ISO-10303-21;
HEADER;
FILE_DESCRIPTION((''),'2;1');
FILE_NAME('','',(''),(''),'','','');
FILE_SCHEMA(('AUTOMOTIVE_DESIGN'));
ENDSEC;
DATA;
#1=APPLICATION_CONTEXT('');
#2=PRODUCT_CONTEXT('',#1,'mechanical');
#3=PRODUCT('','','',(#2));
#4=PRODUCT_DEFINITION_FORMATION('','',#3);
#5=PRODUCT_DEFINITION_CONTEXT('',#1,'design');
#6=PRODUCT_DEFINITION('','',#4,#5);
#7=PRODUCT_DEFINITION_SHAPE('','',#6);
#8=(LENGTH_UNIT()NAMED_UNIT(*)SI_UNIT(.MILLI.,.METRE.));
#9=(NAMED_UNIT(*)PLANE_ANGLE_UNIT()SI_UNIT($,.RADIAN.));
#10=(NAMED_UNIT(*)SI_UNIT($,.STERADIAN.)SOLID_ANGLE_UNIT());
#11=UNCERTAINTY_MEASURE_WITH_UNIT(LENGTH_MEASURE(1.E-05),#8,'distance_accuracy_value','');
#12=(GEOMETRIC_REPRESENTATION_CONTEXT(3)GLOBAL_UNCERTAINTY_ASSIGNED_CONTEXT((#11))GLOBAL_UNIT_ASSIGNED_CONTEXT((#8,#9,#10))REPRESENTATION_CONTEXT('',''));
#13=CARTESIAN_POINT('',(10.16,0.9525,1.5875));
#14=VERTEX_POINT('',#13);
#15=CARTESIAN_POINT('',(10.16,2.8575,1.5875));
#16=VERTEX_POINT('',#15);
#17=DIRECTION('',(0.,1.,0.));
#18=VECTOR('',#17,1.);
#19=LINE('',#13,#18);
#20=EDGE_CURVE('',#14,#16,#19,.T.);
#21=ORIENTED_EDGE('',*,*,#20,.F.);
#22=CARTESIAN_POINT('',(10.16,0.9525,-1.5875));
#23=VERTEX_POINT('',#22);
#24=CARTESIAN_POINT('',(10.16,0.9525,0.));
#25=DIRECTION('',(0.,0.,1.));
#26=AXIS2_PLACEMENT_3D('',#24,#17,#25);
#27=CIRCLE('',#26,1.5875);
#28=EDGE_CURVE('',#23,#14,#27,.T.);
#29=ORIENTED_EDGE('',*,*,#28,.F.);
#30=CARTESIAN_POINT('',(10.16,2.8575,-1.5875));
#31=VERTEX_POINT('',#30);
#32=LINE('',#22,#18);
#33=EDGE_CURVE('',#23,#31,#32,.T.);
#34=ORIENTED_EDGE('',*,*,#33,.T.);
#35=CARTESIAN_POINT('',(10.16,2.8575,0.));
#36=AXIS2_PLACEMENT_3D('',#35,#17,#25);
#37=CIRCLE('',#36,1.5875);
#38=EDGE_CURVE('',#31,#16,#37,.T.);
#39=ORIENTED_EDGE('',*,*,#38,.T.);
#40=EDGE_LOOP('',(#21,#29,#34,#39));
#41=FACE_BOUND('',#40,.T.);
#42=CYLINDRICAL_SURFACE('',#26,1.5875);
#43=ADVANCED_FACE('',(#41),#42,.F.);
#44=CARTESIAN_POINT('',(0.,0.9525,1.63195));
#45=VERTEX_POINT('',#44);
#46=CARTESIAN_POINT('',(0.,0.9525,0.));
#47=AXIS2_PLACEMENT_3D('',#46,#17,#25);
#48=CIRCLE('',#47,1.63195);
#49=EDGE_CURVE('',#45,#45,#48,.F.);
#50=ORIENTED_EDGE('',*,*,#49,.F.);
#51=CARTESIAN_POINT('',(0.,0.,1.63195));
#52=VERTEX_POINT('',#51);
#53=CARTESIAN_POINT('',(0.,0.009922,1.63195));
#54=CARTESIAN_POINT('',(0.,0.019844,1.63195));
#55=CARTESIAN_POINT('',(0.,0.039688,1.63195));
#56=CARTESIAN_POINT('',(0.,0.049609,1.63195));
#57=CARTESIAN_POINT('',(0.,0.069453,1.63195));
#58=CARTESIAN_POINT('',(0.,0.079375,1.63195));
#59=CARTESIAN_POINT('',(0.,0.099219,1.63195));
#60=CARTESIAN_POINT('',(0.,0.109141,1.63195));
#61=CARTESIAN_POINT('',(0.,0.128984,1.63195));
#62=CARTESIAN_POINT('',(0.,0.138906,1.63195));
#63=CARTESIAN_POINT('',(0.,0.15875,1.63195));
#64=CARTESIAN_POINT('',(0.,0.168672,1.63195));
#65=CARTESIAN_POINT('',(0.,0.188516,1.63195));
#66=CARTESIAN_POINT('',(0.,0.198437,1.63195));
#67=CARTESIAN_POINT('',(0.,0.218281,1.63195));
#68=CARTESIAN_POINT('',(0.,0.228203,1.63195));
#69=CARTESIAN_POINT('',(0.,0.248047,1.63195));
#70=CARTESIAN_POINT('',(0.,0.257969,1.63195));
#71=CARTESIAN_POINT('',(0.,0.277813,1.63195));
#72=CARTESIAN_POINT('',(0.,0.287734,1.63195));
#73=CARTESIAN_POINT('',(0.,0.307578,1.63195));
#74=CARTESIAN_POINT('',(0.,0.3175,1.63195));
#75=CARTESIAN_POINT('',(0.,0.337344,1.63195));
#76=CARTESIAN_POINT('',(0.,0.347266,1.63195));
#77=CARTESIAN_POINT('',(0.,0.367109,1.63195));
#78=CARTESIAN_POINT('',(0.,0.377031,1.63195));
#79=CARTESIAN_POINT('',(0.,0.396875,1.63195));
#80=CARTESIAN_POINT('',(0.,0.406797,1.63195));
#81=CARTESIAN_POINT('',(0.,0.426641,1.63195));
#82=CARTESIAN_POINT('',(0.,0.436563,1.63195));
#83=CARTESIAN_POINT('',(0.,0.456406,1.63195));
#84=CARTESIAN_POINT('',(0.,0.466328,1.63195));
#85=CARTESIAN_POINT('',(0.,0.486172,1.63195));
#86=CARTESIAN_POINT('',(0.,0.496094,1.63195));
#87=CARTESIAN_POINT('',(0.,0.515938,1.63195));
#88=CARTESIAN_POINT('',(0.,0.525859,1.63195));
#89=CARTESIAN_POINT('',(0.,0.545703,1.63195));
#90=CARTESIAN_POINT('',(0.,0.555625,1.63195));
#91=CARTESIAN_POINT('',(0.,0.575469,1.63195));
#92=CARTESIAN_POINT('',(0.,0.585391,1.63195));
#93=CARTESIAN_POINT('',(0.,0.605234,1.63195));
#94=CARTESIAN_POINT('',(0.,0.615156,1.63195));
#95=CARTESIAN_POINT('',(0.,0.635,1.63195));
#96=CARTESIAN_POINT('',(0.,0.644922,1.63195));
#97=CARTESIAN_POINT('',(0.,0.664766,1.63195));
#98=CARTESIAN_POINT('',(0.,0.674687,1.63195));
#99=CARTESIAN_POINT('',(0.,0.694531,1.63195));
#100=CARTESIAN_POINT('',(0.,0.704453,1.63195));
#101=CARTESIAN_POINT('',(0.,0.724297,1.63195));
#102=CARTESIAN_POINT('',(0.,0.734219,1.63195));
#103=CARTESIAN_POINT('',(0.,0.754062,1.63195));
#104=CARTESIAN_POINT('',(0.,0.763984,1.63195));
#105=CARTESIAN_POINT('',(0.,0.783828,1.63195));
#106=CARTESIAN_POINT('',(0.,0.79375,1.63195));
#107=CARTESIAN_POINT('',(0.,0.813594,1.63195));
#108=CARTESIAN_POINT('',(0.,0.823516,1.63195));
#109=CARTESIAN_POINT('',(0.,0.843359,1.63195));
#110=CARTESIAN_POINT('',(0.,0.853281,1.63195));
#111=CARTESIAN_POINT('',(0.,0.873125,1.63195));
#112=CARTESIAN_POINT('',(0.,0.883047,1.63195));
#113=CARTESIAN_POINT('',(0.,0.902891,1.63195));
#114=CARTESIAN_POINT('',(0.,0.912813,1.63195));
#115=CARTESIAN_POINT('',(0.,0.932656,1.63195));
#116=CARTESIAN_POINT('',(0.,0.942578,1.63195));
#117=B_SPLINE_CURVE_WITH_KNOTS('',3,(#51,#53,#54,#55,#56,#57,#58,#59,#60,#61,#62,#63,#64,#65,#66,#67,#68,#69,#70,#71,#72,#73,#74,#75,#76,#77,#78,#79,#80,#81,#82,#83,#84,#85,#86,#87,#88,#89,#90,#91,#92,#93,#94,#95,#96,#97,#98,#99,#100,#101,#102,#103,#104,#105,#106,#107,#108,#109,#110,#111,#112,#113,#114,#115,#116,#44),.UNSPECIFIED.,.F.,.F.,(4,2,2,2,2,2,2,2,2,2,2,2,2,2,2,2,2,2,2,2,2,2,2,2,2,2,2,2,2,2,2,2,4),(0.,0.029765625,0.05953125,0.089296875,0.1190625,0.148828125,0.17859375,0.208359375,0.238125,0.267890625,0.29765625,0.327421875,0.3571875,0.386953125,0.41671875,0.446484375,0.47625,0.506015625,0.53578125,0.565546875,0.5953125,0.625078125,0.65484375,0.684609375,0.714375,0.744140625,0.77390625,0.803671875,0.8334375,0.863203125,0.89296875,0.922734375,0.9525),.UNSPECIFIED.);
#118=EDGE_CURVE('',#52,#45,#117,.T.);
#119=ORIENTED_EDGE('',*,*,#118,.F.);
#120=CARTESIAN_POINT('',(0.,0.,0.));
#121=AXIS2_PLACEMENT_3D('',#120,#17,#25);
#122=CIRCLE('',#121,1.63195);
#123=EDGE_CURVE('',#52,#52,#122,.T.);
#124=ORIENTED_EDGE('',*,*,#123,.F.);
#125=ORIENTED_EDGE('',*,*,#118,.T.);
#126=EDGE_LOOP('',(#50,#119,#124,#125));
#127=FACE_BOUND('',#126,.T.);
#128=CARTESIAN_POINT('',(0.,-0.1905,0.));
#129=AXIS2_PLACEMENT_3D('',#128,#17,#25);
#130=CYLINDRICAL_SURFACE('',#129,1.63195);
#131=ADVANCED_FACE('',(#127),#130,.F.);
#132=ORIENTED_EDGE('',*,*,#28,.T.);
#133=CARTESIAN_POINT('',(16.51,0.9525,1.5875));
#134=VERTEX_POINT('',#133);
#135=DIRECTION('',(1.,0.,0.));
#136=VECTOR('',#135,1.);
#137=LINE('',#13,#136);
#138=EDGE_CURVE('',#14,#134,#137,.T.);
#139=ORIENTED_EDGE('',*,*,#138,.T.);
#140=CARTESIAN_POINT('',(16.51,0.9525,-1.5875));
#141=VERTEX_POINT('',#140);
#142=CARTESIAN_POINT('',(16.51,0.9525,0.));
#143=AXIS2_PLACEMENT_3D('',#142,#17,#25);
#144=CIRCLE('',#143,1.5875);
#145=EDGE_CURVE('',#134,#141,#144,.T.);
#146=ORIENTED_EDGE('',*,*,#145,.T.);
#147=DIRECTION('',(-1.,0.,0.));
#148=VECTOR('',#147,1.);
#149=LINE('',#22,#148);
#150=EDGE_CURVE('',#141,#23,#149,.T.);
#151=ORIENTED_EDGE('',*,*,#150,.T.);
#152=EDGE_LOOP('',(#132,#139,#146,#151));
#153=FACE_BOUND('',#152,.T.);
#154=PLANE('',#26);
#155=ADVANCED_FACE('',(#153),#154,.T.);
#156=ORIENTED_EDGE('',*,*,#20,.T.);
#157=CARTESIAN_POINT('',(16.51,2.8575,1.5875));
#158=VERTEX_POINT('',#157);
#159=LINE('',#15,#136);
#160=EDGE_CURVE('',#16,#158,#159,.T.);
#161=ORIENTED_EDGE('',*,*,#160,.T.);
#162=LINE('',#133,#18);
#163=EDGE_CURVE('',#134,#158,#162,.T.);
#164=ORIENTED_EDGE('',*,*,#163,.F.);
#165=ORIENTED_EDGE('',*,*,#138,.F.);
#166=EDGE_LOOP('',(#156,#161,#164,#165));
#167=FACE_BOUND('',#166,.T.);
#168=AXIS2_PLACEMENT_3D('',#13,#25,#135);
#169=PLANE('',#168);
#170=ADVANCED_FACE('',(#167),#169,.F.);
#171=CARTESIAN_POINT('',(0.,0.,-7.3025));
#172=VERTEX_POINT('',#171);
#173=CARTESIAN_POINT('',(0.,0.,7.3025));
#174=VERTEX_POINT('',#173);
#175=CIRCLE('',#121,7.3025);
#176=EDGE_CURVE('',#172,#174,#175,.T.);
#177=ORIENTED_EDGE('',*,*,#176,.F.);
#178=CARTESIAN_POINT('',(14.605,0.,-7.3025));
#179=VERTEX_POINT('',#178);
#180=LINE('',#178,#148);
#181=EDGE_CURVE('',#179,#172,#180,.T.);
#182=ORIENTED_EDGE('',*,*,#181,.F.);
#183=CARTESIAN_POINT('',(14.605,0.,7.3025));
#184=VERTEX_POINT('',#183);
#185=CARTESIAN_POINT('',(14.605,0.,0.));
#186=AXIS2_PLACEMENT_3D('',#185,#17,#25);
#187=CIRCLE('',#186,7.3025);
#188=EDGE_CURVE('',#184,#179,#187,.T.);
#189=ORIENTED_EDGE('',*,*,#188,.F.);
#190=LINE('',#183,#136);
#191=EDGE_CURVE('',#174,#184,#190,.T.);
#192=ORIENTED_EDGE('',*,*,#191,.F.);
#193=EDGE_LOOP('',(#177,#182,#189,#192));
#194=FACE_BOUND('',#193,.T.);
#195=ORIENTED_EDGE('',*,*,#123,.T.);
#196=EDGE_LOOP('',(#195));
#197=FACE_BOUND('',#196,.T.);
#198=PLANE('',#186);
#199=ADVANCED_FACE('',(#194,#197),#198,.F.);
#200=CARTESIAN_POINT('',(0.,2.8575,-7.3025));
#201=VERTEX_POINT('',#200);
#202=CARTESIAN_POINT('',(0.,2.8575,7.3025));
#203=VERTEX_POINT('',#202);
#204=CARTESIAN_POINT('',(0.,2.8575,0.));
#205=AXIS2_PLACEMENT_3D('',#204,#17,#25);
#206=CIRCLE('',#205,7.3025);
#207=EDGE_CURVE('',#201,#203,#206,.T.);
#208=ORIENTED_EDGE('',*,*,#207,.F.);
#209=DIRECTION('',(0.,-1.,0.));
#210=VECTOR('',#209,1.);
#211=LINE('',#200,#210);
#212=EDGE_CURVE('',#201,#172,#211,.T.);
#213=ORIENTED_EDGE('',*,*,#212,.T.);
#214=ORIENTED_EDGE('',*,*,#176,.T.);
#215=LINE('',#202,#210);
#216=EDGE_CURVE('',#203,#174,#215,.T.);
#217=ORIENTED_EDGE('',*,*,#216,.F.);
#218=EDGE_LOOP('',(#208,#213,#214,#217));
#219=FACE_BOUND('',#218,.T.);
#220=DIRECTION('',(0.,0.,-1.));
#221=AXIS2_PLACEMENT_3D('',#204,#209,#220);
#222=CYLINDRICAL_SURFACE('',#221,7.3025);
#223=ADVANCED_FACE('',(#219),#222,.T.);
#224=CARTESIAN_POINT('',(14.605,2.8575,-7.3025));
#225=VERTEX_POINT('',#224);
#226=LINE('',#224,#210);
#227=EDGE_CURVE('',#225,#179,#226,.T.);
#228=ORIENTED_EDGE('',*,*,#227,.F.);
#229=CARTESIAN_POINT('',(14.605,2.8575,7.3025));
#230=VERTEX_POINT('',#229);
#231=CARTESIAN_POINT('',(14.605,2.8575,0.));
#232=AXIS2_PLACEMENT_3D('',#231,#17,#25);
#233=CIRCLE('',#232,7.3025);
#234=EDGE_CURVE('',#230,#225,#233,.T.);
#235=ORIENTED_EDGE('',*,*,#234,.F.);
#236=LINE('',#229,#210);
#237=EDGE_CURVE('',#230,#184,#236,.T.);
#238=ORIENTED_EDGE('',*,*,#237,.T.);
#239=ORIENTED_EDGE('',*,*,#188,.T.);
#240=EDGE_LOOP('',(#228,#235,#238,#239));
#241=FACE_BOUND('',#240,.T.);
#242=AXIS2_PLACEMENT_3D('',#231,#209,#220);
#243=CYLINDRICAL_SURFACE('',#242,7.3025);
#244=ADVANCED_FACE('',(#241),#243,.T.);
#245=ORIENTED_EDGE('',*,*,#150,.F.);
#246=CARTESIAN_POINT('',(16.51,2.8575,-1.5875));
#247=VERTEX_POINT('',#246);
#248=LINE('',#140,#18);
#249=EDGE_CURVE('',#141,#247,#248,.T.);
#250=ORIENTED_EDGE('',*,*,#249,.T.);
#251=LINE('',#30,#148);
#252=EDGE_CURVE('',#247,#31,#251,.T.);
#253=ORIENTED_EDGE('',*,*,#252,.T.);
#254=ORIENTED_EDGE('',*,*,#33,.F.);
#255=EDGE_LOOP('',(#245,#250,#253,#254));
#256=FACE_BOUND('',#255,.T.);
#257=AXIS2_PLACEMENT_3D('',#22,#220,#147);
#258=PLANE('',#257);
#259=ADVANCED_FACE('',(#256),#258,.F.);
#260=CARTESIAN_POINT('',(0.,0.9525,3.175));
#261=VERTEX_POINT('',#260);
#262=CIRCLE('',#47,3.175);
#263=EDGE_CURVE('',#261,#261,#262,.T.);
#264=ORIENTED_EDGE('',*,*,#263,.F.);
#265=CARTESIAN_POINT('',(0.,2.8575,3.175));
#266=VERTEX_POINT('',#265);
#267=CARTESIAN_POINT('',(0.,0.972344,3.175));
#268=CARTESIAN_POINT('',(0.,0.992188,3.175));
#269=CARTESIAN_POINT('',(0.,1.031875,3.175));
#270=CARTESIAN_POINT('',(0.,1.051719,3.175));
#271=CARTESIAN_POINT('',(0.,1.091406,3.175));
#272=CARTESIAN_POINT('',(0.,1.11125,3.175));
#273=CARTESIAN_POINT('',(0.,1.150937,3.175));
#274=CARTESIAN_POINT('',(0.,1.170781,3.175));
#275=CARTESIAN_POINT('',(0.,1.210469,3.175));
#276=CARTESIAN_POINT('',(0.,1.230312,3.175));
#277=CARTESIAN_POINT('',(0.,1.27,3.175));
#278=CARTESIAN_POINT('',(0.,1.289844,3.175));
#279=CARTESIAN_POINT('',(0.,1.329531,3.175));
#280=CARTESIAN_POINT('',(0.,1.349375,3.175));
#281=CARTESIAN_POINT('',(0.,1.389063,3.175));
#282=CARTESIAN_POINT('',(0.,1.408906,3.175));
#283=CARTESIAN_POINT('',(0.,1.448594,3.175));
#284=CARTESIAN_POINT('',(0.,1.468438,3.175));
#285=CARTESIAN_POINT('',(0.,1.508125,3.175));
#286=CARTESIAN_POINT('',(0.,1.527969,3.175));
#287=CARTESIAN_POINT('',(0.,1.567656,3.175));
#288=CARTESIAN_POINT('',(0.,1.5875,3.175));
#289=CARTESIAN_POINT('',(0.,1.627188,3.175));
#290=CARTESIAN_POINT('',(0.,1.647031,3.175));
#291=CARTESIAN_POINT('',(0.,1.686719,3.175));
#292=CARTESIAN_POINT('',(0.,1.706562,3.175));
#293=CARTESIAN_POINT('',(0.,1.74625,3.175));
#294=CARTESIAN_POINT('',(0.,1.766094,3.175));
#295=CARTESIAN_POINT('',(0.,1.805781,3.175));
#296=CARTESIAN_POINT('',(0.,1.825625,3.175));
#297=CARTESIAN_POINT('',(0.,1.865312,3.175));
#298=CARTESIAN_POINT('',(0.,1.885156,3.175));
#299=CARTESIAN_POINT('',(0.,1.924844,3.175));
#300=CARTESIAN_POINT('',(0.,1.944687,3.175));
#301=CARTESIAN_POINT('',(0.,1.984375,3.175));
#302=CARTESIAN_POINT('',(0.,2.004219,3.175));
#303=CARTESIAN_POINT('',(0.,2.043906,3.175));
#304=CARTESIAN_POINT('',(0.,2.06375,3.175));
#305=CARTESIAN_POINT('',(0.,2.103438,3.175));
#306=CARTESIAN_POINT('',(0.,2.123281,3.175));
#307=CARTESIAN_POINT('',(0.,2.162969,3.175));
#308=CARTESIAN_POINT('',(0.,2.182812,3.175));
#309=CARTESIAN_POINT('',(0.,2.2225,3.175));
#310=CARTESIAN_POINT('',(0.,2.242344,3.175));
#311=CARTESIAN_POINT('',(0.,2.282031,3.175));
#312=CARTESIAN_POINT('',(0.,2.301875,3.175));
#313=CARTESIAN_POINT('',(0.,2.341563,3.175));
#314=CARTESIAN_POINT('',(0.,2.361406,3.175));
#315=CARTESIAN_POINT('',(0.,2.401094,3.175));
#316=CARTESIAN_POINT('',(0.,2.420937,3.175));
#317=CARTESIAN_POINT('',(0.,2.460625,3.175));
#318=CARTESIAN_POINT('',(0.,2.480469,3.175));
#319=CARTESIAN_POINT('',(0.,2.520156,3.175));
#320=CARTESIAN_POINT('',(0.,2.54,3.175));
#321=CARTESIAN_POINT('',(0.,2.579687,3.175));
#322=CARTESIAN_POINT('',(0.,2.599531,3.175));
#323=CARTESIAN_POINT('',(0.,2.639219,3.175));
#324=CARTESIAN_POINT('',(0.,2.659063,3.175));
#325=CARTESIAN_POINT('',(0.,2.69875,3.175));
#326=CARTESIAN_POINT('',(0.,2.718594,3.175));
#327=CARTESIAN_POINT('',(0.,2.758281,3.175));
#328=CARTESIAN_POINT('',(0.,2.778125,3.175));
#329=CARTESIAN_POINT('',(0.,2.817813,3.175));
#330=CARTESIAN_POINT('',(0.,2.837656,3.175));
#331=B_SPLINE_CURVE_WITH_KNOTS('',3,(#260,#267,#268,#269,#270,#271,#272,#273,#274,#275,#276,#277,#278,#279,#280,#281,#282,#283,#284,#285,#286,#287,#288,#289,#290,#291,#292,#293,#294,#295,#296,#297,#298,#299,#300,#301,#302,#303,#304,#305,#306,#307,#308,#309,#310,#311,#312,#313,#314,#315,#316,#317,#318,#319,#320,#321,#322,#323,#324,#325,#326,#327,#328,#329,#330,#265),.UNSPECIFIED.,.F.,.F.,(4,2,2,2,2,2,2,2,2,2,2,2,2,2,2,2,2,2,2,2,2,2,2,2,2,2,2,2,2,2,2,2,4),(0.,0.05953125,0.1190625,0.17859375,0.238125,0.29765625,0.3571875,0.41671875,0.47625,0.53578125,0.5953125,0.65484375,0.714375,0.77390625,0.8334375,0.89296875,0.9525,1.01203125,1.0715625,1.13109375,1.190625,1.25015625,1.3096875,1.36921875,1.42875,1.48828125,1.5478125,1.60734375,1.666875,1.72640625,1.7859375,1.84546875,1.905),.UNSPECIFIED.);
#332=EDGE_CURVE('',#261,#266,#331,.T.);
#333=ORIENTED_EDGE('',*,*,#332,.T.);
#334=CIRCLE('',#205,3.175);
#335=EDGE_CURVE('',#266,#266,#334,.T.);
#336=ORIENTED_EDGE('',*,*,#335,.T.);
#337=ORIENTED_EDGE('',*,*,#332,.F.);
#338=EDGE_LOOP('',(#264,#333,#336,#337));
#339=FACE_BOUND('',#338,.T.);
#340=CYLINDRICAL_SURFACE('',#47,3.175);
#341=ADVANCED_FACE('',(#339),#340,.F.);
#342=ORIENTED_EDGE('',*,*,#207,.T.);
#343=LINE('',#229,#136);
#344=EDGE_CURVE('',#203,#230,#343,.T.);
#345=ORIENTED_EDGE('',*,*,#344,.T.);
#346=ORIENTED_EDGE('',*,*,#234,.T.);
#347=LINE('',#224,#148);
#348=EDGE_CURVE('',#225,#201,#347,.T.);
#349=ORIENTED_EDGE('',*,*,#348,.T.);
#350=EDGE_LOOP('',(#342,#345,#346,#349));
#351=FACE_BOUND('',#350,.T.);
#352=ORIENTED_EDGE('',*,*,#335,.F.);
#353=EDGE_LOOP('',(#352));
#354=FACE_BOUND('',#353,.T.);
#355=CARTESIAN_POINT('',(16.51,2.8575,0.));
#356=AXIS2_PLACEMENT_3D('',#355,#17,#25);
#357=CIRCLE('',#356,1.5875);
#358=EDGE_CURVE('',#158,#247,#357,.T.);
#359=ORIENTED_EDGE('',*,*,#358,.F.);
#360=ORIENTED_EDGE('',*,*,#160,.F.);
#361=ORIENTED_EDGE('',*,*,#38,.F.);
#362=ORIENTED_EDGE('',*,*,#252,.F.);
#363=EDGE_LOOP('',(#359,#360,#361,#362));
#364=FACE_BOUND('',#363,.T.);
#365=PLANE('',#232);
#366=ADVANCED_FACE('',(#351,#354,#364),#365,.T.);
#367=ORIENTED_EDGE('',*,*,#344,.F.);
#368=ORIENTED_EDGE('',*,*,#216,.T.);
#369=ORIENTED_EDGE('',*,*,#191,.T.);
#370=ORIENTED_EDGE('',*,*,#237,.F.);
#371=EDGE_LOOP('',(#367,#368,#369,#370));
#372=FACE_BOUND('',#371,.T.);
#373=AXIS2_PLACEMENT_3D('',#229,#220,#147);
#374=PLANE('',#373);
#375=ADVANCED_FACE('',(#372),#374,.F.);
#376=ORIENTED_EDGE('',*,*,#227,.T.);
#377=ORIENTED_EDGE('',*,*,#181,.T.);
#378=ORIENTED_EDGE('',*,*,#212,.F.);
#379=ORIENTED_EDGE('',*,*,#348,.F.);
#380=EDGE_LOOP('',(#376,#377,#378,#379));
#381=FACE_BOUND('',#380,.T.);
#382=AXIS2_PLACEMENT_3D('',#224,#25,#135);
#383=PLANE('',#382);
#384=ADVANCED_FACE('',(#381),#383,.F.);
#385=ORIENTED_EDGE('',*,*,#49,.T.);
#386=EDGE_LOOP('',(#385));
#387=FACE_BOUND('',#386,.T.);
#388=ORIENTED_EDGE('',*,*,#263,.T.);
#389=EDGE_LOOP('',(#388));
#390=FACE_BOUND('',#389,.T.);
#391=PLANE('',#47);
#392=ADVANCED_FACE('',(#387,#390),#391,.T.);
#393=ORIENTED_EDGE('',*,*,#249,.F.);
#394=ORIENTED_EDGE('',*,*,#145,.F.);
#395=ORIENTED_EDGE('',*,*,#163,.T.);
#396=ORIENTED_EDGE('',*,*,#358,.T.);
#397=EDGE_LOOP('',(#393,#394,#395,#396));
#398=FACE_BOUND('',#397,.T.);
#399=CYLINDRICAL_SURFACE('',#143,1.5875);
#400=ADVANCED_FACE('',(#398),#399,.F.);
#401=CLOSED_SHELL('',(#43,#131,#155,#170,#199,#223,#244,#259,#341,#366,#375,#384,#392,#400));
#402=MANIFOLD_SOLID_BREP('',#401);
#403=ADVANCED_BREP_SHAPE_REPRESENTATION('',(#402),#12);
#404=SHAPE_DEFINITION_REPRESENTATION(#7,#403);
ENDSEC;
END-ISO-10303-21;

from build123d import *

# Parameters (mm, degrees)
BOSS_EXTRUDE1_DEPTH = 2.8575
SKETCH2_R           = 1.63195
CUT_EXTRUDE1_DEPTH  = 3.048
SKETCH3_R           = 3.175
CUT_EXTRUDE2_DEPTH  = 1.905


with BuildPart() as part:
    # Sketch1 → Boss-Extrude1 (new body)
    with BuildSketch(Plane(origin=(0, 0, 0), x_dir=(1, 0, 0), z_dir=(0, 1, 0))):
        with BuildLine():
            Line((14.605, 7.3025), (0, 7.3025))
            ThreePointArc((0, 7.3025), (-7.3025, 0), (0, -7.3025))
            Line((0, -7.3025), (14.605, -7.3025))
            ThreePointArc((14.605, -7.3025), (21.9075, 0), (14.605, 7.3025))
        make_face()
    extrude(amount=BOSS_EXTRUDE1_DEPTH)

    # Sketch2 → Cut-Extrude1 (cut)
    with BuildSketch(Plane(origin=(0, 2.8575, 0), x_dir=(1, 0, 0), z_dir=(0, 1, 0))):
        with Locations(Location((0, 0, 0), (0, 0, 270))):
            Circle(SKETCH2_R)
    extrude(amount=-CUT_EXTRUDE1_DEPTH, mode=Mode.SUBTRACT)

    # Sketch3 → Cut-Extrude2 (cut)
    with BuildSketch(Plane(origin=(0, 2.8575, 0), x_dir=(1, 0, 0), z_dir=(0, 1, 0))):
        with Locations(Location((0, 0, 0), (0, 0, 270))):
            Circle(SKETCH3_R)
        with BuildLine():
            Line((10.16, 1.5875), (16.51, 1.5875))
            ThreePointArc((16.51, 1.5875), (18.0975, 0), (16.51, -1.5875))
            Line((16.51, -1.5875), (10.16, -1.5875))
            ThreePointArc((10.16, -1.5875), (8.5725, 0), (10.16, 1.5875))
        make_face()
    extrude(amount=-CUT_EXTRUDE2_DEPTH, mode=Mode.SUBTRACT)


solid = part.part
